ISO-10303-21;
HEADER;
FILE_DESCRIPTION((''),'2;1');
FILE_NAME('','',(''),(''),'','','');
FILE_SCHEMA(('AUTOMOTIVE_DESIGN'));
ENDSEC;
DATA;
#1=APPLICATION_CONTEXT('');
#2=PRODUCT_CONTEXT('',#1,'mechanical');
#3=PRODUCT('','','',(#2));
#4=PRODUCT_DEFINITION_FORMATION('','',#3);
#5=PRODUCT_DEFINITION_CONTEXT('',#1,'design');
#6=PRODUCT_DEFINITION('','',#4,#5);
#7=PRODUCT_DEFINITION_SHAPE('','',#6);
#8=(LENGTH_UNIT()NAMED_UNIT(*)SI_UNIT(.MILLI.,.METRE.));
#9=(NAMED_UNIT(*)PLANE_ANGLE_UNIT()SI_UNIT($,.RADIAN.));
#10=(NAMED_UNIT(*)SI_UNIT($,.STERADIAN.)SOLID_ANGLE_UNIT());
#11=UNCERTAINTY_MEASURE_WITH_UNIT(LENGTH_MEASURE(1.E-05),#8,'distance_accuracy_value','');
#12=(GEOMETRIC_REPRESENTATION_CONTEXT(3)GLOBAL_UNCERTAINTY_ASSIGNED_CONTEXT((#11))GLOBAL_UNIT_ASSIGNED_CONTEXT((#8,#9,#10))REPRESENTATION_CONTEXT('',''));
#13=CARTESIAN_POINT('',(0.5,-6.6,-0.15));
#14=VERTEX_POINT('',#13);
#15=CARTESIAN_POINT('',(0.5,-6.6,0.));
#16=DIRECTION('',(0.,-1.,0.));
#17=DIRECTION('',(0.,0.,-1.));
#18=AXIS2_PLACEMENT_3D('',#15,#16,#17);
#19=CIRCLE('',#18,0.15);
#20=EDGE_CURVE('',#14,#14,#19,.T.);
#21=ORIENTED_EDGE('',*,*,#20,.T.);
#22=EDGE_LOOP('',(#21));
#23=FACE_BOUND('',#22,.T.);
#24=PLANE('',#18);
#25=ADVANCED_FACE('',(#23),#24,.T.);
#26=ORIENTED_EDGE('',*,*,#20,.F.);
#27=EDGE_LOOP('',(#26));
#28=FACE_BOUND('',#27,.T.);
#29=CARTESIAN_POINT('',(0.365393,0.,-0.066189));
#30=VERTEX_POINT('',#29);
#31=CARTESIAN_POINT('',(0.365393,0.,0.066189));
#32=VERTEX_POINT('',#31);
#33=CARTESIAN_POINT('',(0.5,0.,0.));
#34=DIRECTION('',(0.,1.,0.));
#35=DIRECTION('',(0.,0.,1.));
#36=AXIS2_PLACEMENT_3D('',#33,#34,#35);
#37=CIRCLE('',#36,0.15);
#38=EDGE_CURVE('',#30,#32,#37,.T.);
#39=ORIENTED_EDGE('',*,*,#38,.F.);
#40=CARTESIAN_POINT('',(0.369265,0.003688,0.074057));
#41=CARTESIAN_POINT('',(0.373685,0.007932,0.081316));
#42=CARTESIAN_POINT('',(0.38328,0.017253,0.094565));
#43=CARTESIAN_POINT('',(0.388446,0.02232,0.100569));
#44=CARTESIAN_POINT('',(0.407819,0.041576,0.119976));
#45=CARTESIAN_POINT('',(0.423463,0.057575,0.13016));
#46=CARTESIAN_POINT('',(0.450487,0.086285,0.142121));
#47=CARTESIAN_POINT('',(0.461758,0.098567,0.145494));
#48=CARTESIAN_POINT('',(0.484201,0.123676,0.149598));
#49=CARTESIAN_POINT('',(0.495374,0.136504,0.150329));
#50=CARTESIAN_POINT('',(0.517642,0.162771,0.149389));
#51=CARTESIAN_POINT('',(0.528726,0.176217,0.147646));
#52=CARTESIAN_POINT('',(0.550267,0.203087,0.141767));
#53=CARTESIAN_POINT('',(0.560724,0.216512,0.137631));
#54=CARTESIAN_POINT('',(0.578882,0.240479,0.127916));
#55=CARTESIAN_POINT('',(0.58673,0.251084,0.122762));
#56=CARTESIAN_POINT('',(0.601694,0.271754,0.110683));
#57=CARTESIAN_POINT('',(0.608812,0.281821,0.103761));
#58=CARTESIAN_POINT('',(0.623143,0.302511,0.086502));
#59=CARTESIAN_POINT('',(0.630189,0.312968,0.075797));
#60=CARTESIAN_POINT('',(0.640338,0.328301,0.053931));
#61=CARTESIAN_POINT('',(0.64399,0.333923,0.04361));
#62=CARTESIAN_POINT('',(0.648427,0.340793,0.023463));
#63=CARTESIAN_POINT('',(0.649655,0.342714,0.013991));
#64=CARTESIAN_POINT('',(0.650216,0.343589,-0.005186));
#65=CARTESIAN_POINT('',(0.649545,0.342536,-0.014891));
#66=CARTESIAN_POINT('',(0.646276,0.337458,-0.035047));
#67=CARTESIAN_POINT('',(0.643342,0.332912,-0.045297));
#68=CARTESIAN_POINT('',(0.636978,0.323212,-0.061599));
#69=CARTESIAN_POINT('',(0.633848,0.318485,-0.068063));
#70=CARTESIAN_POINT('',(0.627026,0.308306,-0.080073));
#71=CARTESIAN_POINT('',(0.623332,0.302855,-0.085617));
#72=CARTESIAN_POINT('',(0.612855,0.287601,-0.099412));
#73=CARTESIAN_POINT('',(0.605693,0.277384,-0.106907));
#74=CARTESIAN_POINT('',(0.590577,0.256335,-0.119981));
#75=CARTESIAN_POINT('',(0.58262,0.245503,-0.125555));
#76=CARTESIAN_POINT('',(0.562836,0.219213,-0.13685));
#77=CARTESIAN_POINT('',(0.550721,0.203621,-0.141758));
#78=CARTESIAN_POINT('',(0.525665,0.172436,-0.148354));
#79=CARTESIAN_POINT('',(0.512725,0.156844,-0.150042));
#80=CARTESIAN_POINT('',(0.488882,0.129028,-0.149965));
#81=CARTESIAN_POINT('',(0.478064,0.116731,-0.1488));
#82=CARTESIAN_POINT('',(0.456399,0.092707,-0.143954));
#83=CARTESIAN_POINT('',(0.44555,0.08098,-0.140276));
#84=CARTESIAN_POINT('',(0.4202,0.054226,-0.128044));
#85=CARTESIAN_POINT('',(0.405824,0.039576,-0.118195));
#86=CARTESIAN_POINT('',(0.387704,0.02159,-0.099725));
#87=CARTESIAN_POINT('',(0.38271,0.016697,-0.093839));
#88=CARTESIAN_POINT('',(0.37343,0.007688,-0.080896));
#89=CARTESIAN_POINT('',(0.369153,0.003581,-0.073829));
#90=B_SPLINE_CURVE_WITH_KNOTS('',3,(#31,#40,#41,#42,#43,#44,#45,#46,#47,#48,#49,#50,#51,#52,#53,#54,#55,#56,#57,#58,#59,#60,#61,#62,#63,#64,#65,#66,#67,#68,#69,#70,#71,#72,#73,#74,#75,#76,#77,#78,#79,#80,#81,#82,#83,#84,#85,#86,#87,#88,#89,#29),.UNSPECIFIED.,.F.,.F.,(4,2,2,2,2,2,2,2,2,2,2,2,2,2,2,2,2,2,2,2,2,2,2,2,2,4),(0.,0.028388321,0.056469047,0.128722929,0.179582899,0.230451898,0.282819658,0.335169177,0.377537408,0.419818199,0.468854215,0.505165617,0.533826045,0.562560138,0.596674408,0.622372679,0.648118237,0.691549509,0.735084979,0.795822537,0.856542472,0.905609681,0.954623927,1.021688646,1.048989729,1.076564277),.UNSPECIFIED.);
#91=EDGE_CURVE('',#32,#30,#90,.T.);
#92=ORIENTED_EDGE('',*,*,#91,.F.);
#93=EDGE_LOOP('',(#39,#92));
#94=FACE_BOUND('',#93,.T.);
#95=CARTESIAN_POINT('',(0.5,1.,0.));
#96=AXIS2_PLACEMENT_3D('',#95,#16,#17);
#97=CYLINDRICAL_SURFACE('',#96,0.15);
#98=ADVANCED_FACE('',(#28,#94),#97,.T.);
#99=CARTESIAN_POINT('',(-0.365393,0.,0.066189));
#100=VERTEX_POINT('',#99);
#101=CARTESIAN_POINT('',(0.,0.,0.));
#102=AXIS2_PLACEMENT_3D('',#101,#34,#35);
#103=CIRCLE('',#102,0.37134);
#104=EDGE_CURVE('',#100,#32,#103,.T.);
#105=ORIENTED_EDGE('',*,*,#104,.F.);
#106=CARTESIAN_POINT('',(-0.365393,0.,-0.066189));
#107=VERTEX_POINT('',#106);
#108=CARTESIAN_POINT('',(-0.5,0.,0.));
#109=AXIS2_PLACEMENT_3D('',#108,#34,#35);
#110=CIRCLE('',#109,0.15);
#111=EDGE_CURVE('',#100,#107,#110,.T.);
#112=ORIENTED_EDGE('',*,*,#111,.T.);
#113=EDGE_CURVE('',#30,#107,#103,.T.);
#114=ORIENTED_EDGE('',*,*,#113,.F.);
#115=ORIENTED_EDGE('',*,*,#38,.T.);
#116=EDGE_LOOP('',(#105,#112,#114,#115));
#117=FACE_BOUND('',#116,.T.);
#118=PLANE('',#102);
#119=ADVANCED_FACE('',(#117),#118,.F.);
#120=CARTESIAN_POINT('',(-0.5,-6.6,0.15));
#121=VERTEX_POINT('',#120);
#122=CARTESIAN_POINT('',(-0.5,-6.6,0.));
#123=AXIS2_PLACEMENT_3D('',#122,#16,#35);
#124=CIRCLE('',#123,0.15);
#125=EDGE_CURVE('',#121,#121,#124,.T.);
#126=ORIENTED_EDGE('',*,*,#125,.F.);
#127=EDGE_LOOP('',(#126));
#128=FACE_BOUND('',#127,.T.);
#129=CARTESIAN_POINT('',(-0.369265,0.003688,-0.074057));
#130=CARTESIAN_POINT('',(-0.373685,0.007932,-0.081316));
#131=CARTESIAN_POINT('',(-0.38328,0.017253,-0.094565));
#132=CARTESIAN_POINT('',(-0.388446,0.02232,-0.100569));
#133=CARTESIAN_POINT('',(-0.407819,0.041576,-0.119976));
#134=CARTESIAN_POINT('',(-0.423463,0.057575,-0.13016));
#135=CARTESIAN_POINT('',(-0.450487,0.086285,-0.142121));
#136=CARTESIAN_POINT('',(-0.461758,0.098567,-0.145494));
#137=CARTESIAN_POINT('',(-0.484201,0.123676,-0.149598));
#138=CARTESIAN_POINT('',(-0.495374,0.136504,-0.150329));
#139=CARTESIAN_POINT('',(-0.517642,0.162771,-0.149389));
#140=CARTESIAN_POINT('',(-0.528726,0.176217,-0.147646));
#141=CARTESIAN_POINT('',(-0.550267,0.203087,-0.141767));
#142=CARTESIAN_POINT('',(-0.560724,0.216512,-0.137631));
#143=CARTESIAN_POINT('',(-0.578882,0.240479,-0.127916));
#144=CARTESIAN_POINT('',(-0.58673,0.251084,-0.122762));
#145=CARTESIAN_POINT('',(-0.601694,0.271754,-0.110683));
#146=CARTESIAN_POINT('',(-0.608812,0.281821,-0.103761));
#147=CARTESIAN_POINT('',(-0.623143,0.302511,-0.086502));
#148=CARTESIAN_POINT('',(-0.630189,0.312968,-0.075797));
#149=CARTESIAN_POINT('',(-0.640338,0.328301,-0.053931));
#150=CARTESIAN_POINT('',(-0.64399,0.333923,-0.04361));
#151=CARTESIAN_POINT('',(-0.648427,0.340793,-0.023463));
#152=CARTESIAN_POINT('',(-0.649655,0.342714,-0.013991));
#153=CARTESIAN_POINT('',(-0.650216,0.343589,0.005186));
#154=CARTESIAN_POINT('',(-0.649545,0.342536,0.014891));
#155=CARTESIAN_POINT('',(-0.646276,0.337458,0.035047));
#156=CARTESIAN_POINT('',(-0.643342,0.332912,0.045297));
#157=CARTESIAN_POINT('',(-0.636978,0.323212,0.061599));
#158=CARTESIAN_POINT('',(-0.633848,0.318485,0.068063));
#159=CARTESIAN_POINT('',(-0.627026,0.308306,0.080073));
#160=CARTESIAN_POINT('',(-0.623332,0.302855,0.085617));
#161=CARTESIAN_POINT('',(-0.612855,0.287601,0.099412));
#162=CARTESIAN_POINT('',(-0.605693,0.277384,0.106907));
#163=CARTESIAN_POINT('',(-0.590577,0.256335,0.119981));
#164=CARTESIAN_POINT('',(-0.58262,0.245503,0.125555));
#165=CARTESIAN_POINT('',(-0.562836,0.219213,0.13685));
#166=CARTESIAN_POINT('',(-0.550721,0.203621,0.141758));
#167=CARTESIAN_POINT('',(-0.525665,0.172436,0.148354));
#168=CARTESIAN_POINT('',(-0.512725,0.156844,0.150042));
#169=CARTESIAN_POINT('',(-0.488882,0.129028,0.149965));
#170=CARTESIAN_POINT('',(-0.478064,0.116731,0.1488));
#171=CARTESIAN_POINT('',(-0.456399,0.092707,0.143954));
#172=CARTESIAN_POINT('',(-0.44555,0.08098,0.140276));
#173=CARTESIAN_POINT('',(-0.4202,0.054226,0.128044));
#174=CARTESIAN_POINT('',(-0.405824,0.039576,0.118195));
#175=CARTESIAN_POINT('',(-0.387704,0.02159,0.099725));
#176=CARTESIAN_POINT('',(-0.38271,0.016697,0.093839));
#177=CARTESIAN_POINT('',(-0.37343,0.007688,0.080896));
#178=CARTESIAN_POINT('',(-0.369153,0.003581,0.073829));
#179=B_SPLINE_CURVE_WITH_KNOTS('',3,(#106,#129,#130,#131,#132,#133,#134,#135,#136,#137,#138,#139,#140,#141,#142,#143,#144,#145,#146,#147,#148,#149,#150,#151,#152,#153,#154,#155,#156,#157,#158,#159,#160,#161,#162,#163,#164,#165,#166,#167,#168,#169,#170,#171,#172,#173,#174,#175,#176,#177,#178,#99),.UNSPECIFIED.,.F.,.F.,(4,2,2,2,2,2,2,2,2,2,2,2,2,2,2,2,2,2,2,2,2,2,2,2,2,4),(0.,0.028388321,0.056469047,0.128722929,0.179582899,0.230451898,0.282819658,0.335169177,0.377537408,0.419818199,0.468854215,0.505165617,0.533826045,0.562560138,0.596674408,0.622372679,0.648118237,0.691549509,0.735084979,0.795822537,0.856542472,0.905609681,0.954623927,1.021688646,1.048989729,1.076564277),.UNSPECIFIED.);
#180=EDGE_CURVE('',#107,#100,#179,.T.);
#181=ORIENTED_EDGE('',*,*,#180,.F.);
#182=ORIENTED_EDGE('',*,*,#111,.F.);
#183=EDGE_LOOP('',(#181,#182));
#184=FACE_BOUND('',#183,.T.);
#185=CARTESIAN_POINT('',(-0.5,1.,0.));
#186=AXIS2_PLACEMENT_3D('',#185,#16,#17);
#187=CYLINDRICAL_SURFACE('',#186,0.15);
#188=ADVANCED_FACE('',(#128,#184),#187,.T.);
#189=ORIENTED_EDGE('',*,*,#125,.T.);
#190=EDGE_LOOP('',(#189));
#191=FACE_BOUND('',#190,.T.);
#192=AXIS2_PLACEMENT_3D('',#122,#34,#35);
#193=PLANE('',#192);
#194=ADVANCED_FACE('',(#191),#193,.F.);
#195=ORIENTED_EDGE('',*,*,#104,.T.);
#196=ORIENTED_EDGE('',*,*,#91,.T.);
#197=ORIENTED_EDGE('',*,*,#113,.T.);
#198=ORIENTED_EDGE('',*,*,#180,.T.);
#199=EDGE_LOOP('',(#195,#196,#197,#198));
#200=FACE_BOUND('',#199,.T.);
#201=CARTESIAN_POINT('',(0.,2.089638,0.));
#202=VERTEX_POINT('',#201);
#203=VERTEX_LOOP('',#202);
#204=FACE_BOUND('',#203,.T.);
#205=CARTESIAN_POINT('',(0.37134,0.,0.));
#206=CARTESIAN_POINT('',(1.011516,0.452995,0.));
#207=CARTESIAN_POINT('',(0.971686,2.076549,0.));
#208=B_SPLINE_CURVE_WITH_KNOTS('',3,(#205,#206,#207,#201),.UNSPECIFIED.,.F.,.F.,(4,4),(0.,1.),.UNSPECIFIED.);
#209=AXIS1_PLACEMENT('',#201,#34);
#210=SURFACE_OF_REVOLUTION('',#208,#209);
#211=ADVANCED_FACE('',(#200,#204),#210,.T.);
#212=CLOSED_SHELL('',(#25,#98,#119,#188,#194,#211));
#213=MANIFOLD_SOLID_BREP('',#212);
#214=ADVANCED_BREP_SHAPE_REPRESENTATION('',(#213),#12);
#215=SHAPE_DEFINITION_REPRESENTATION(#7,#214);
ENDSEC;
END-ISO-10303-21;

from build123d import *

# Parameters (mm, degrees)
BOSS_EXTRUDE1_DEPTH      = 6.6
BOSS_EXTRUDE1_DEPTH_BACK = 1
SKETCH2_R                = 0.15


with BuildPart() as part:
    # Sketch1 → Revolve1 (revolve)
    with BuildSketch(Plane.XY):
        with BuildLine():
            Line((0, 2.089637782), (0, 0))
            Line((0, 0), (0.371339903, 0))
            add(Edge.make_bspline(
                [(0, 2.089637782), (0.971685935, 2.076549426), (1.011515786, 0.452994607), (0.371339903, 0)],
                knots=[0, 0, 0, 0, 1, 1, 1, 1], degree=3))
        make_face()
    revolve(axis=Axis((0, 2.089637782, 0), (0, -1, 0)))

    # Sketch2 → Boss-Extrude1 (add, two sides: drawn at the far end of the back side and taken through both)
    with BuildSketch(Plane.XZ.offset(-BOSS_EXTRUDE1_DEPTH_BACK)):
        with Locations(Location((0.5, 0, 0), (0, 0, 270))):
            Circle(SKETCH2_R)
        with Locations(Location((-0.5, 0, 0), (0, 0, 333.815508665))):
            Circle(SKETCH2_R)
    extrude(amount=BOSS_EXTRUDE1_DEPTH + BOSS_EXTRUDE1_DEPTH_BACK)


solid = part.part
